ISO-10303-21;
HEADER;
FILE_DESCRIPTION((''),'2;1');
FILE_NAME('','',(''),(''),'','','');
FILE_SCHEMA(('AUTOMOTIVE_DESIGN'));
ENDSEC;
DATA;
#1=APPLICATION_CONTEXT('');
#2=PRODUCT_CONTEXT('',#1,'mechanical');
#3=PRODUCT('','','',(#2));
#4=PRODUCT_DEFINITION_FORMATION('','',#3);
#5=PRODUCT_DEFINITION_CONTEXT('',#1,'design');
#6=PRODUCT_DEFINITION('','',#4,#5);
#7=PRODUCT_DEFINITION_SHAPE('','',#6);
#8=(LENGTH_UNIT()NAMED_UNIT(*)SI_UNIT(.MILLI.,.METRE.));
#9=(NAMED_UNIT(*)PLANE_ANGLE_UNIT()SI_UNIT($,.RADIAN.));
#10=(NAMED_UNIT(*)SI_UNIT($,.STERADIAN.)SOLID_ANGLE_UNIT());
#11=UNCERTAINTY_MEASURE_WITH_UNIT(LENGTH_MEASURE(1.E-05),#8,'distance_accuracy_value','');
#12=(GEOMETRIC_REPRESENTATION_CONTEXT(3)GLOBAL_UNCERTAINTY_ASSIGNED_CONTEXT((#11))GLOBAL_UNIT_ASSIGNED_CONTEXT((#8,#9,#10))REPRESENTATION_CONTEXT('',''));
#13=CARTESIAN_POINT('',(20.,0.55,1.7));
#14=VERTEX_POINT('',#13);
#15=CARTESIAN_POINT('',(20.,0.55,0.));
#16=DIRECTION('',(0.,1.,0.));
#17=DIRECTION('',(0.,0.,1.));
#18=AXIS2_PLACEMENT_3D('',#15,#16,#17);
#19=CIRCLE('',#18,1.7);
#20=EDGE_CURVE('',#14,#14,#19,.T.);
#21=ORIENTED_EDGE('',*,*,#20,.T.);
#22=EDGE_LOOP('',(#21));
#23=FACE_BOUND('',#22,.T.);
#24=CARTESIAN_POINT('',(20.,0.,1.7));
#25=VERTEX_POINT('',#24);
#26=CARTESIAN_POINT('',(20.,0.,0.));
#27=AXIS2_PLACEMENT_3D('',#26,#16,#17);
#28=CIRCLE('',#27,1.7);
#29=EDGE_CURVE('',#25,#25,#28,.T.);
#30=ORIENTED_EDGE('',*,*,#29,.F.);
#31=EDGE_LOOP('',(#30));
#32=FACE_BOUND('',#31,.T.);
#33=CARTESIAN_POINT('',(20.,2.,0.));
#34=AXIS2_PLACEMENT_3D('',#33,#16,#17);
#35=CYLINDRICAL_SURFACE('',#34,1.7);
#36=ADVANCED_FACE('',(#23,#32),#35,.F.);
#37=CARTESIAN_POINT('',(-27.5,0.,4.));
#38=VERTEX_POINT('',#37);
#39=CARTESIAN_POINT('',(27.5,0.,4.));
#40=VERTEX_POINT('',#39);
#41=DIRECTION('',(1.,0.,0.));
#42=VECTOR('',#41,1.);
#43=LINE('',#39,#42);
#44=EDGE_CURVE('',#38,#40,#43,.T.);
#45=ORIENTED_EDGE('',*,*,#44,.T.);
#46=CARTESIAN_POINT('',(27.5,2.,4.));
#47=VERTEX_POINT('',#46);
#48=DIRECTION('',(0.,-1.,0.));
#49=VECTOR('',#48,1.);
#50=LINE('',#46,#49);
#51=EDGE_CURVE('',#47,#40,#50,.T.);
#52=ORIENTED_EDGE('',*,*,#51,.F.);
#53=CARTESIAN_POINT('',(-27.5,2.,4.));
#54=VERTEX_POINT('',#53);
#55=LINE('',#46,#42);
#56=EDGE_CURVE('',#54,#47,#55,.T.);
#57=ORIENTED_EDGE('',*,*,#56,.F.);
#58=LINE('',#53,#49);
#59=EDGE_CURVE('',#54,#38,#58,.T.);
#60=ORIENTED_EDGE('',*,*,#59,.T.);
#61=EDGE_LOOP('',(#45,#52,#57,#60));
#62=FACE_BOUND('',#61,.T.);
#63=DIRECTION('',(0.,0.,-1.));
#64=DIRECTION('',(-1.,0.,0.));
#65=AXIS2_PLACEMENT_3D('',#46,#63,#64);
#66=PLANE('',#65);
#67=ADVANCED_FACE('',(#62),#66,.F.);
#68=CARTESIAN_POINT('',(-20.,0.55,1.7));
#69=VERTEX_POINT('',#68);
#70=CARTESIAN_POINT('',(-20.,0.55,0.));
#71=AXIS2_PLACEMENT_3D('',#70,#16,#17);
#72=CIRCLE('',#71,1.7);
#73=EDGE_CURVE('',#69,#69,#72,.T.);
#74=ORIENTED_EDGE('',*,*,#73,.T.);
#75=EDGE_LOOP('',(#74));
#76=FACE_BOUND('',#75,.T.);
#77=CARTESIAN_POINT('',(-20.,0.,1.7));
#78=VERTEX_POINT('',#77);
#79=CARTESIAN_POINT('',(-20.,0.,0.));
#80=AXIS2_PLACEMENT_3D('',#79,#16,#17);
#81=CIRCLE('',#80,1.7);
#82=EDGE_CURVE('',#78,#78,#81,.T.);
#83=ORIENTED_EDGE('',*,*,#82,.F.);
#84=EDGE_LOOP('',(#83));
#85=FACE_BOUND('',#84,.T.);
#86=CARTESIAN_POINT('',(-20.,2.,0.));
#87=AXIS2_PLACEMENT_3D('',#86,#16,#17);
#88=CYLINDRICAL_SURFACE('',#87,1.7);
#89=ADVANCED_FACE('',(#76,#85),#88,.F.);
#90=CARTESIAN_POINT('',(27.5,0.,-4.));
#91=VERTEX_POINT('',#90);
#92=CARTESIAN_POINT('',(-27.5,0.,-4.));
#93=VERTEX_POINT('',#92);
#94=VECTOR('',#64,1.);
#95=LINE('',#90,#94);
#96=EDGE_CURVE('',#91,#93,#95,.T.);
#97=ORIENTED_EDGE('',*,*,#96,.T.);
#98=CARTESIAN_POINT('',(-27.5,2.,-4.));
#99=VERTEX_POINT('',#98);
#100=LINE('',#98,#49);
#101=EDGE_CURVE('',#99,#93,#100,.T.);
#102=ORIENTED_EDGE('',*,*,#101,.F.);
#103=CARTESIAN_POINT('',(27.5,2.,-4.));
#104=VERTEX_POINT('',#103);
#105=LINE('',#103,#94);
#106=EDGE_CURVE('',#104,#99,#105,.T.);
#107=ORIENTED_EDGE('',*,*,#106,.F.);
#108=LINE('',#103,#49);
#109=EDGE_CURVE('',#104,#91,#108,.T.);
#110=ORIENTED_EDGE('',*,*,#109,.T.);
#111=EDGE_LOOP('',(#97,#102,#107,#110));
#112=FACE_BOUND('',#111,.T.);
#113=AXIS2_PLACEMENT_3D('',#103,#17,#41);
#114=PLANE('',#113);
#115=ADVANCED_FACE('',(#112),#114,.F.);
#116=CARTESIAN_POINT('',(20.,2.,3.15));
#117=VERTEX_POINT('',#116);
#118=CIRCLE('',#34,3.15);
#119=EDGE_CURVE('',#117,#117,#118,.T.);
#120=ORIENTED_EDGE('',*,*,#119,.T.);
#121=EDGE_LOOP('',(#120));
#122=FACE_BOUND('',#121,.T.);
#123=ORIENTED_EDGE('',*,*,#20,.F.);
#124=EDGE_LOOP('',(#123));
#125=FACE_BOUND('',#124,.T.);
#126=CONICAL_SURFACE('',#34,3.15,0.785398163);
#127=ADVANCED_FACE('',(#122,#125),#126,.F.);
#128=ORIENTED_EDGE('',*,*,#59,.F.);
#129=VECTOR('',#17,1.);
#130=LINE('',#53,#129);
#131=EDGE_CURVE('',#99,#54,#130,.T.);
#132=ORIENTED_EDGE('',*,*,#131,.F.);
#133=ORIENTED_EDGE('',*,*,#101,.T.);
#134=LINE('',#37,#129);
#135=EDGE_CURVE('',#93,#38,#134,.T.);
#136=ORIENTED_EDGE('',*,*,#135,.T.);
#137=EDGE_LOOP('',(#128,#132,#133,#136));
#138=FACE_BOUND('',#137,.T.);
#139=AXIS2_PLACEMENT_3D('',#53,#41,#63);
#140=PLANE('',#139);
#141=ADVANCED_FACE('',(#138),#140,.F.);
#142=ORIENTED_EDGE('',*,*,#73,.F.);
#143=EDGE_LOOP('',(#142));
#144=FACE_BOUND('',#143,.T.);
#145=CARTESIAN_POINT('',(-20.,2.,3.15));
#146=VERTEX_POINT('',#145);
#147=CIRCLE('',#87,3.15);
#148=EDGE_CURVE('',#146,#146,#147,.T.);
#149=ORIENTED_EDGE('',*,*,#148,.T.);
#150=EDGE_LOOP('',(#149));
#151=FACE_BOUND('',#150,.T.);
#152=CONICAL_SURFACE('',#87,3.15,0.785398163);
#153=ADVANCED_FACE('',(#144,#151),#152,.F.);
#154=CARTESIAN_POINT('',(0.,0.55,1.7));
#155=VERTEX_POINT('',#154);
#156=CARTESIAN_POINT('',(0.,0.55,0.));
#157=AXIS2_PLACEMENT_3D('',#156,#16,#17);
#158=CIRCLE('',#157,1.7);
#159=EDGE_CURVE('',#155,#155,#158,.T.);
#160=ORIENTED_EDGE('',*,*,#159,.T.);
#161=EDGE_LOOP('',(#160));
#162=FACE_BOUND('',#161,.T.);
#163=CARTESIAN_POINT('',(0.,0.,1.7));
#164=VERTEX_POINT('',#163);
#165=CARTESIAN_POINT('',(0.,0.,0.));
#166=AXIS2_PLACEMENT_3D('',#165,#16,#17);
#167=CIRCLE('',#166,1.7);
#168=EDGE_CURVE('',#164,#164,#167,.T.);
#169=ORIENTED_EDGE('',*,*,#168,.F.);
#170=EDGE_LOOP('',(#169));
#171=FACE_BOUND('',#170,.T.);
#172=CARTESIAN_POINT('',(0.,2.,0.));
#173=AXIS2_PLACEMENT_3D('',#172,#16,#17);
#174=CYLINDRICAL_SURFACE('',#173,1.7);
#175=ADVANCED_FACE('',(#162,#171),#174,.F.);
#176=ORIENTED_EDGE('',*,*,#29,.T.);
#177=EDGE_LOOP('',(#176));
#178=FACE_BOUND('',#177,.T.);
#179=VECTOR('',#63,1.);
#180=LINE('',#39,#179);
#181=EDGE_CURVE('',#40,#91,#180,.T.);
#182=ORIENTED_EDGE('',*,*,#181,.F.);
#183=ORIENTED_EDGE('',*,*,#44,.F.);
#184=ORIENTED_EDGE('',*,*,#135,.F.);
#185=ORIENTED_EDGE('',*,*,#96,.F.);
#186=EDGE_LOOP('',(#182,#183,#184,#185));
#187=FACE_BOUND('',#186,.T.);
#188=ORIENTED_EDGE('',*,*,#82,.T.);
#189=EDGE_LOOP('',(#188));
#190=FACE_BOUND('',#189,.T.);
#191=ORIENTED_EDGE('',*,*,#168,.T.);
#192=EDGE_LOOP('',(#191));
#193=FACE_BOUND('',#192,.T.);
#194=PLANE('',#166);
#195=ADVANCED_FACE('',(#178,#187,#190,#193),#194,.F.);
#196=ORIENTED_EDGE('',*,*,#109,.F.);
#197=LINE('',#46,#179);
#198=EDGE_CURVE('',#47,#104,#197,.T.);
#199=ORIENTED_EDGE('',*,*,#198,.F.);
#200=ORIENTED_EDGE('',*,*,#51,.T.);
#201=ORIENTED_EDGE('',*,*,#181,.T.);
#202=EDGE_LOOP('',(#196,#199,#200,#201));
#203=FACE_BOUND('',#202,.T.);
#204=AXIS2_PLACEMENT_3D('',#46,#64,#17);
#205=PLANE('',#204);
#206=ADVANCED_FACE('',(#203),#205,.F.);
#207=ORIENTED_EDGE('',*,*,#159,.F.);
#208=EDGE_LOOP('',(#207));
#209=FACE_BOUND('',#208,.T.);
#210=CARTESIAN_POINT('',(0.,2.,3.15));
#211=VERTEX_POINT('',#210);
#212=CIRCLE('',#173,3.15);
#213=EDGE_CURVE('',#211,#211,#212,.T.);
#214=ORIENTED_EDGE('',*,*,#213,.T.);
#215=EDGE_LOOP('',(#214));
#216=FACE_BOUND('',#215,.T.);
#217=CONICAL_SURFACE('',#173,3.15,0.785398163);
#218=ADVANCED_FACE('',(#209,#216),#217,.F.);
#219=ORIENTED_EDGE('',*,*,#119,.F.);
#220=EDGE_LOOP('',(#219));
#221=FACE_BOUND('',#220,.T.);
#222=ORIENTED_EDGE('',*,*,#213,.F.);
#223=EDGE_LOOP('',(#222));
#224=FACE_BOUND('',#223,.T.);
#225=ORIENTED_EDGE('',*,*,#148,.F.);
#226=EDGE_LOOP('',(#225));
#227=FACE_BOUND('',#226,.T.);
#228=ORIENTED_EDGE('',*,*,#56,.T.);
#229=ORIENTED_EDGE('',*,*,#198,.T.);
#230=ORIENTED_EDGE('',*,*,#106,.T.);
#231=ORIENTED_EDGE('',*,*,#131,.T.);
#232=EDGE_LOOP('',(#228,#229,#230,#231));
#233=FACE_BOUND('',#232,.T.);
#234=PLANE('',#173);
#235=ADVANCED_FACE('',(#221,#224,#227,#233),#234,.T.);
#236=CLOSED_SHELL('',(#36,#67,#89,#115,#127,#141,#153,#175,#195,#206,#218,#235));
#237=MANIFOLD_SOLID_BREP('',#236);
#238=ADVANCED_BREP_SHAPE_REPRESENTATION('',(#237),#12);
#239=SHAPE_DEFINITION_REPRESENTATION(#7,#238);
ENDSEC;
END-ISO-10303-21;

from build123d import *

# Parameters (mm, degrees)
SKETCH1_W           = 55
SKETCH1_H           = 8
BOSS_EXTRUDE1_DEPTH = 2
LPATTERN1_COUNT     = 3
LPATTERN1_PITCH     = 20


with BuildPart() as part:
    # Sketch1 → Boss-Extrude1 (new body)
    with BuildSketch(Plane(origin=(0, 0, 0), x_dir=(1, 0, 0), z_dir=(0, 1, 0))):
        Rectangle(SKETCH1_W, SKETCH1_H)
    extrude(amount=BOSS_EXTRUDE1_DEPTH)

    # Sketch3 → CSK for M3 Countersunk Flat Head1 (revolve, cut)
    with BuildSketch(Plane(origin=(-20, 2, 0), x_dir=(0, 0, 1), z_dir=(1, 0, 0))):
        Polygon((0, 0), (0, 2), (1.7, 2), (1.7, 1.45), (3.15, 0), align=None)
    csk_for_m3_countersunk_flat_head1 = revolve(axis=Axis((-20, 8.35, 0), (0, -1, 0)), mode=Mode.SUBTRACT)

    # LPattern1: CSK for M3 Countersunk Flat Head1 ×3
    with Locations(*[(i * LPATTERN1_PITCH, 0, 0) for i in range(1, LPATTERN1_COUNT)]):
        add(csk_for_m3_countersunk_flat_head1, mode=Mode.SUBTRACT)


solid = part.part
